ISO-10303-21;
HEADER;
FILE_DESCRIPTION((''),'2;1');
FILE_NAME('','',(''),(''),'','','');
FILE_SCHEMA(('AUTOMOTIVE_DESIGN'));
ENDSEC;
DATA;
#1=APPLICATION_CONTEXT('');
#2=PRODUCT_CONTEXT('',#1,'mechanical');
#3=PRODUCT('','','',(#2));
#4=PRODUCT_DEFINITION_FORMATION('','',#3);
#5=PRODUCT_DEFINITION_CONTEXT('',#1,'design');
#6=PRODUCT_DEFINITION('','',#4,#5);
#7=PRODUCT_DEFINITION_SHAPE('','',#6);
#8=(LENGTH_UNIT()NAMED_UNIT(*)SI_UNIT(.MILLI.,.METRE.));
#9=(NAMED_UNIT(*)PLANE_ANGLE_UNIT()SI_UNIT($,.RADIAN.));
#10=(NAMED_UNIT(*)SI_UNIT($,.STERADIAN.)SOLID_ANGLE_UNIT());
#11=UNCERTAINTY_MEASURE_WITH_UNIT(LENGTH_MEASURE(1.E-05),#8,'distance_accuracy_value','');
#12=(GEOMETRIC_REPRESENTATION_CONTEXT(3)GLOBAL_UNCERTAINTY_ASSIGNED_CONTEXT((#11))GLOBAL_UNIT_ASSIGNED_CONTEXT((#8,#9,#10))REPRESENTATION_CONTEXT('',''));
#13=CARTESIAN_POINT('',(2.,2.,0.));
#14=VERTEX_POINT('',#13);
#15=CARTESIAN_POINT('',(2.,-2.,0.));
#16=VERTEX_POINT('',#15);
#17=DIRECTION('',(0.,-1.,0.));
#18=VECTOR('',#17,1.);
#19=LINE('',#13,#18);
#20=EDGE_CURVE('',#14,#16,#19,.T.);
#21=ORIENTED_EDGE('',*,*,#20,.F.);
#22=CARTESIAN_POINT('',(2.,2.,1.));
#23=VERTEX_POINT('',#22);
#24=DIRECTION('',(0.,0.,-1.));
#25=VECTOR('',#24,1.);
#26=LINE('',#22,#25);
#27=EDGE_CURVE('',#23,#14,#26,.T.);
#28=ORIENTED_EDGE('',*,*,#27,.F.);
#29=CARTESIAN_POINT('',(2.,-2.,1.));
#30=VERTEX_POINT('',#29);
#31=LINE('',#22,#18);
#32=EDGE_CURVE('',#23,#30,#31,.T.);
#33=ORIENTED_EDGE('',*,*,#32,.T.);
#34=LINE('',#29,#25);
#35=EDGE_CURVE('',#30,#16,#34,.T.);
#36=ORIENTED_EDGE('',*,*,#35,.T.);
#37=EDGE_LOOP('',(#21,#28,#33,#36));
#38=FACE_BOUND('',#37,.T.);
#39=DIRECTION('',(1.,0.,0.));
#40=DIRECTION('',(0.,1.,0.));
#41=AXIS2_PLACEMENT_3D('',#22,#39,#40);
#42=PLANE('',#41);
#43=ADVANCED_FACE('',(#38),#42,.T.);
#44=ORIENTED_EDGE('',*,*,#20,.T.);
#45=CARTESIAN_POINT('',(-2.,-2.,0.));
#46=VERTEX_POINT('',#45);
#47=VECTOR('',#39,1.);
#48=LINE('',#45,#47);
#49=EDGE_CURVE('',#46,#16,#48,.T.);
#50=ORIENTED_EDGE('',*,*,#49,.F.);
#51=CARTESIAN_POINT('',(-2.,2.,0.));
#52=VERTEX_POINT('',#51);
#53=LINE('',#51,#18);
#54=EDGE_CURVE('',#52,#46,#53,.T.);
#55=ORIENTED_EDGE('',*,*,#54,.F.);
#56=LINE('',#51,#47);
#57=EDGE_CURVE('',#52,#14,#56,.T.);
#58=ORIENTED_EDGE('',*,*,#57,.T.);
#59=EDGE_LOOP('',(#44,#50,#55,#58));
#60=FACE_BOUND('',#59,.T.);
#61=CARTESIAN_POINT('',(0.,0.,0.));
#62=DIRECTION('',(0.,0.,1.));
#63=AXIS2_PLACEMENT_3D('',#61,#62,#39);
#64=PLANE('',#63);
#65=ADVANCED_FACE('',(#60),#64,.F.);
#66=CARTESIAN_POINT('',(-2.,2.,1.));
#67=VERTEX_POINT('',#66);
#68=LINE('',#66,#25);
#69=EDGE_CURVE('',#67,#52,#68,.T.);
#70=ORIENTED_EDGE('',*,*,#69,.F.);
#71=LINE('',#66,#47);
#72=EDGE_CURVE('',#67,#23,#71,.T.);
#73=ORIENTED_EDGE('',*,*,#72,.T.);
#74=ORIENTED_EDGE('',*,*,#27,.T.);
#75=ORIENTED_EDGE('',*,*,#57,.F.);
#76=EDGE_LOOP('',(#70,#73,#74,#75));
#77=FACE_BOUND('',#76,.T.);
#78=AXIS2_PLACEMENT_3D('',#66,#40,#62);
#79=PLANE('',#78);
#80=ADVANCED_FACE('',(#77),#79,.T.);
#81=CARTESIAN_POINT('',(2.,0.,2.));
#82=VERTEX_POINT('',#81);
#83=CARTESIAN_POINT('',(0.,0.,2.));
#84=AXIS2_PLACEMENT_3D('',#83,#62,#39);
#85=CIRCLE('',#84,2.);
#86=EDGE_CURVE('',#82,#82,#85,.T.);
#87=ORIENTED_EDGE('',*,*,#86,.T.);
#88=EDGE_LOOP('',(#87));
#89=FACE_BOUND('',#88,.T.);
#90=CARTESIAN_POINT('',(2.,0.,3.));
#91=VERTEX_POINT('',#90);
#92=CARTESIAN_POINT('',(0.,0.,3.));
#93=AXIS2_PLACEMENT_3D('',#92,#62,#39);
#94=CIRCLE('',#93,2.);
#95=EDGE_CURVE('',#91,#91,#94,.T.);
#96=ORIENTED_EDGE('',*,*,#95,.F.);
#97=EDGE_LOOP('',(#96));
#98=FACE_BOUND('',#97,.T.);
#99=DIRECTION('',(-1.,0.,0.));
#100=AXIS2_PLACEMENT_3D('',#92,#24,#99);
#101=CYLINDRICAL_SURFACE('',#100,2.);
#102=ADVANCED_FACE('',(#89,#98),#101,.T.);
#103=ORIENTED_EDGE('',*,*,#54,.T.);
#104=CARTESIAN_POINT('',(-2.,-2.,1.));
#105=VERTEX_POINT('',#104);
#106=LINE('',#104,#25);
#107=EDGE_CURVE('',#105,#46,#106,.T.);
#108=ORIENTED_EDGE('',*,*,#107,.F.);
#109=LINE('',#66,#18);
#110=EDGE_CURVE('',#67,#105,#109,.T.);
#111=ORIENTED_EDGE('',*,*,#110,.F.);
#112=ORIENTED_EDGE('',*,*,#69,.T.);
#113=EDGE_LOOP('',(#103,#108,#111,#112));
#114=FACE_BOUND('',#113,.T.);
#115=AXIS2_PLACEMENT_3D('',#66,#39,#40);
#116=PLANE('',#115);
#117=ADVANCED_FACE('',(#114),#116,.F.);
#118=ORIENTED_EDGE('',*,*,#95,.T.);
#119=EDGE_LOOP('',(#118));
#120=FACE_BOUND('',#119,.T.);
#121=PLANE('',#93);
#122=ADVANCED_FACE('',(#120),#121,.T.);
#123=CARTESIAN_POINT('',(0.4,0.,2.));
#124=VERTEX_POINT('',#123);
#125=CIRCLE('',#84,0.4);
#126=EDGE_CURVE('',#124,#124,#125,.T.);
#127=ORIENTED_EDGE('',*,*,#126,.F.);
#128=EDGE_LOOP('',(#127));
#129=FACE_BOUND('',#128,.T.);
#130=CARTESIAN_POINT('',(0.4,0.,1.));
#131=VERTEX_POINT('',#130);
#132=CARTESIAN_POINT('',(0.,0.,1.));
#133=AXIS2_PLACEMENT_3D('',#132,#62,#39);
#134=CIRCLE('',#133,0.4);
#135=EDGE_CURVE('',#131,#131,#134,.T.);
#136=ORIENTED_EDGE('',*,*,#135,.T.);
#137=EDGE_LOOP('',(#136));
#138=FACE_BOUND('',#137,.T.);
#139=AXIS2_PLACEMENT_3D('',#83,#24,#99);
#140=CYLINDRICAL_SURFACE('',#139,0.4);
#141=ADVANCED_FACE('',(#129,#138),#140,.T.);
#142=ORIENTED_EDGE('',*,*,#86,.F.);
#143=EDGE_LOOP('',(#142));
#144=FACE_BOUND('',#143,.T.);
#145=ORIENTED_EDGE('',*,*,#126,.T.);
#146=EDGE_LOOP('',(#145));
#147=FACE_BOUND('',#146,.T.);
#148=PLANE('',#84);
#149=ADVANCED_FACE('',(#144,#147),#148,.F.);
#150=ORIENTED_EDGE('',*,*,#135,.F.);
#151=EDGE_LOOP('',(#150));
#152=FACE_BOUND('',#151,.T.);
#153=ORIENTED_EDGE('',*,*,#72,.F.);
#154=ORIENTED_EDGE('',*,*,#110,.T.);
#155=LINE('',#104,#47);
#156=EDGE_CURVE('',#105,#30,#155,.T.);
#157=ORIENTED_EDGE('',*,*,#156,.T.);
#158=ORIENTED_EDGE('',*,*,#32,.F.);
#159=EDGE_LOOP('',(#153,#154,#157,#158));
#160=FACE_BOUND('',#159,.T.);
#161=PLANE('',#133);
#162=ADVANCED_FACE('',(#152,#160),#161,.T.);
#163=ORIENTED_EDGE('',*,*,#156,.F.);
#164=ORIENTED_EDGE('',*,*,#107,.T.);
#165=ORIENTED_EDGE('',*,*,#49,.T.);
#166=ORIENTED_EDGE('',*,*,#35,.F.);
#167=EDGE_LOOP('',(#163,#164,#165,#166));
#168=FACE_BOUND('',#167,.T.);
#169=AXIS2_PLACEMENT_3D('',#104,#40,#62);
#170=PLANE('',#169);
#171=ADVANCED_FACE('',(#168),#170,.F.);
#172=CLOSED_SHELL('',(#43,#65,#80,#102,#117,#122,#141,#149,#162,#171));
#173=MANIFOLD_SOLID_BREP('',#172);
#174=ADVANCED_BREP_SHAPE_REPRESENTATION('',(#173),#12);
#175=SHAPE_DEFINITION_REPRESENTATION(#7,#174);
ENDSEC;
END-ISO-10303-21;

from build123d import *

# Parameters (mm, degrees)
SKETCH_1_W      = 4
SKETCH_1_H      = 4
EXTRUDE_1_DEPTH = 1
SKETCH_2_R      = 0.4
EXTRUDE_2_DEPTH = 1
SKETCH_3_R      = 2
EXTRUDE_3_DEPTH = 1


with BuildPart() as part:
    # 草圖1 → 填料-伸長1 (new body)
    with BuildSketch(Plane.XY):
        Rectangle(SKETCH_1_W, SKETCH_1_H)
    extrude(amount=EXTRUDE_1_DEPTH)

    # 草圖2 → 填料-伸長2 (add)
    with BuildSketch(Plane.XY.offset(1)):
        Circle(SKETCH_2_R)
    extrude(amount=EXTRUDE_2_DEPTH)

    # 草圖3 → 填料-伸長3 (add)
    with BuildSketch(Plane.XY.offset(2)):
        Circle(SKETCH_3_R)
    extrude(amount=EXTRUDE_3_DEPTH)


solid = part.part
